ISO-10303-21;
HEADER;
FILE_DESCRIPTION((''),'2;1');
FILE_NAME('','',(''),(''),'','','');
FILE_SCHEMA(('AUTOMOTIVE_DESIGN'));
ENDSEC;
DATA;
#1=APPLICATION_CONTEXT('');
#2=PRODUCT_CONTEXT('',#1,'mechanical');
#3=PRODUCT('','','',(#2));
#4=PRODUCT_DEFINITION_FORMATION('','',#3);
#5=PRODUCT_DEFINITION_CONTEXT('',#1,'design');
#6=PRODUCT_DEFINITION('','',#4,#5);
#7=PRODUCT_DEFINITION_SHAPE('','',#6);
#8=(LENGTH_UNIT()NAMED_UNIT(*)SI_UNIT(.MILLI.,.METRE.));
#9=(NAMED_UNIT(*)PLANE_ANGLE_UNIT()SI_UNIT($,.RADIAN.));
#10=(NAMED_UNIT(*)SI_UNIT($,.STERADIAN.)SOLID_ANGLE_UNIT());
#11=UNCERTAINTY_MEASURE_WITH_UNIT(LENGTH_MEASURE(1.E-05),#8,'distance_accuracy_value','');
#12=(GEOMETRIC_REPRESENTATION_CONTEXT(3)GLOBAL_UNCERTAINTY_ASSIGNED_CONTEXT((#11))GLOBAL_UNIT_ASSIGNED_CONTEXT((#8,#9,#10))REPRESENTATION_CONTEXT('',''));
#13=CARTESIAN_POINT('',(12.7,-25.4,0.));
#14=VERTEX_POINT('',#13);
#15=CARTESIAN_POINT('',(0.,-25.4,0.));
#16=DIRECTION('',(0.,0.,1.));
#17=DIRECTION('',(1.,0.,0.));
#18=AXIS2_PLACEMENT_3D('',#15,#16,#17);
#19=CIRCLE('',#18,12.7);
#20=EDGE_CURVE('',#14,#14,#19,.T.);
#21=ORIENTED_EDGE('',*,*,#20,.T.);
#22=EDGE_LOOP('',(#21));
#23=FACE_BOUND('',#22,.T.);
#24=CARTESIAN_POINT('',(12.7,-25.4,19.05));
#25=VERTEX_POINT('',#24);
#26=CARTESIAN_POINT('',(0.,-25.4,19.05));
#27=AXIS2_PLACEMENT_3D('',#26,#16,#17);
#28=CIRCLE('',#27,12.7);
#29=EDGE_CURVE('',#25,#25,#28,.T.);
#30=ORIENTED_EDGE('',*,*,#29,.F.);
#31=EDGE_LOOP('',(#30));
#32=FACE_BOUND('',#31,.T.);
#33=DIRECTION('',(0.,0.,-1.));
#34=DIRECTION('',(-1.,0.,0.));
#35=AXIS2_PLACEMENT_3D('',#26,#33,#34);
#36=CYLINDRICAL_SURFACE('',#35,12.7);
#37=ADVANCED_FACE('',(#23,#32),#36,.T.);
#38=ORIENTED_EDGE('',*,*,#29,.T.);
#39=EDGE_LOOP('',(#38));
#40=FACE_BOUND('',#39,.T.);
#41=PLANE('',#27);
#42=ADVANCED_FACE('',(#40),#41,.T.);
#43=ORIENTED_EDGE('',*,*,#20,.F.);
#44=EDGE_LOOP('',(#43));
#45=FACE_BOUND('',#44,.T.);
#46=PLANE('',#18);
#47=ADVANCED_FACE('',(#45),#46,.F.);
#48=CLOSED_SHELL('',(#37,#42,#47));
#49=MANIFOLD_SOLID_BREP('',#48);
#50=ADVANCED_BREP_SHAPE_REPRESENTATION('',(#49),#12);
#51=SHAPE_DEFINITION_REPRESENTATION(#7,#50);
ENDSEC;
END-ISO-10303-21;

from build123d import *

# Parameters (mm, degrees)
SKETCH1_R           = 12.7
BOSS_EXTRUDE1_DEPTH = 19.05


with BuildPart() as part:
    # Sketch1 → Boss-Extrude1 (new body)
    with BuildSketch(Plane.XY):
        with Locations((0, -25.4)):
            Circle(SKETCH1_R)
    extrude(amount=BOSS_EXTRUDE1_DEPTH)


solid = part.part
